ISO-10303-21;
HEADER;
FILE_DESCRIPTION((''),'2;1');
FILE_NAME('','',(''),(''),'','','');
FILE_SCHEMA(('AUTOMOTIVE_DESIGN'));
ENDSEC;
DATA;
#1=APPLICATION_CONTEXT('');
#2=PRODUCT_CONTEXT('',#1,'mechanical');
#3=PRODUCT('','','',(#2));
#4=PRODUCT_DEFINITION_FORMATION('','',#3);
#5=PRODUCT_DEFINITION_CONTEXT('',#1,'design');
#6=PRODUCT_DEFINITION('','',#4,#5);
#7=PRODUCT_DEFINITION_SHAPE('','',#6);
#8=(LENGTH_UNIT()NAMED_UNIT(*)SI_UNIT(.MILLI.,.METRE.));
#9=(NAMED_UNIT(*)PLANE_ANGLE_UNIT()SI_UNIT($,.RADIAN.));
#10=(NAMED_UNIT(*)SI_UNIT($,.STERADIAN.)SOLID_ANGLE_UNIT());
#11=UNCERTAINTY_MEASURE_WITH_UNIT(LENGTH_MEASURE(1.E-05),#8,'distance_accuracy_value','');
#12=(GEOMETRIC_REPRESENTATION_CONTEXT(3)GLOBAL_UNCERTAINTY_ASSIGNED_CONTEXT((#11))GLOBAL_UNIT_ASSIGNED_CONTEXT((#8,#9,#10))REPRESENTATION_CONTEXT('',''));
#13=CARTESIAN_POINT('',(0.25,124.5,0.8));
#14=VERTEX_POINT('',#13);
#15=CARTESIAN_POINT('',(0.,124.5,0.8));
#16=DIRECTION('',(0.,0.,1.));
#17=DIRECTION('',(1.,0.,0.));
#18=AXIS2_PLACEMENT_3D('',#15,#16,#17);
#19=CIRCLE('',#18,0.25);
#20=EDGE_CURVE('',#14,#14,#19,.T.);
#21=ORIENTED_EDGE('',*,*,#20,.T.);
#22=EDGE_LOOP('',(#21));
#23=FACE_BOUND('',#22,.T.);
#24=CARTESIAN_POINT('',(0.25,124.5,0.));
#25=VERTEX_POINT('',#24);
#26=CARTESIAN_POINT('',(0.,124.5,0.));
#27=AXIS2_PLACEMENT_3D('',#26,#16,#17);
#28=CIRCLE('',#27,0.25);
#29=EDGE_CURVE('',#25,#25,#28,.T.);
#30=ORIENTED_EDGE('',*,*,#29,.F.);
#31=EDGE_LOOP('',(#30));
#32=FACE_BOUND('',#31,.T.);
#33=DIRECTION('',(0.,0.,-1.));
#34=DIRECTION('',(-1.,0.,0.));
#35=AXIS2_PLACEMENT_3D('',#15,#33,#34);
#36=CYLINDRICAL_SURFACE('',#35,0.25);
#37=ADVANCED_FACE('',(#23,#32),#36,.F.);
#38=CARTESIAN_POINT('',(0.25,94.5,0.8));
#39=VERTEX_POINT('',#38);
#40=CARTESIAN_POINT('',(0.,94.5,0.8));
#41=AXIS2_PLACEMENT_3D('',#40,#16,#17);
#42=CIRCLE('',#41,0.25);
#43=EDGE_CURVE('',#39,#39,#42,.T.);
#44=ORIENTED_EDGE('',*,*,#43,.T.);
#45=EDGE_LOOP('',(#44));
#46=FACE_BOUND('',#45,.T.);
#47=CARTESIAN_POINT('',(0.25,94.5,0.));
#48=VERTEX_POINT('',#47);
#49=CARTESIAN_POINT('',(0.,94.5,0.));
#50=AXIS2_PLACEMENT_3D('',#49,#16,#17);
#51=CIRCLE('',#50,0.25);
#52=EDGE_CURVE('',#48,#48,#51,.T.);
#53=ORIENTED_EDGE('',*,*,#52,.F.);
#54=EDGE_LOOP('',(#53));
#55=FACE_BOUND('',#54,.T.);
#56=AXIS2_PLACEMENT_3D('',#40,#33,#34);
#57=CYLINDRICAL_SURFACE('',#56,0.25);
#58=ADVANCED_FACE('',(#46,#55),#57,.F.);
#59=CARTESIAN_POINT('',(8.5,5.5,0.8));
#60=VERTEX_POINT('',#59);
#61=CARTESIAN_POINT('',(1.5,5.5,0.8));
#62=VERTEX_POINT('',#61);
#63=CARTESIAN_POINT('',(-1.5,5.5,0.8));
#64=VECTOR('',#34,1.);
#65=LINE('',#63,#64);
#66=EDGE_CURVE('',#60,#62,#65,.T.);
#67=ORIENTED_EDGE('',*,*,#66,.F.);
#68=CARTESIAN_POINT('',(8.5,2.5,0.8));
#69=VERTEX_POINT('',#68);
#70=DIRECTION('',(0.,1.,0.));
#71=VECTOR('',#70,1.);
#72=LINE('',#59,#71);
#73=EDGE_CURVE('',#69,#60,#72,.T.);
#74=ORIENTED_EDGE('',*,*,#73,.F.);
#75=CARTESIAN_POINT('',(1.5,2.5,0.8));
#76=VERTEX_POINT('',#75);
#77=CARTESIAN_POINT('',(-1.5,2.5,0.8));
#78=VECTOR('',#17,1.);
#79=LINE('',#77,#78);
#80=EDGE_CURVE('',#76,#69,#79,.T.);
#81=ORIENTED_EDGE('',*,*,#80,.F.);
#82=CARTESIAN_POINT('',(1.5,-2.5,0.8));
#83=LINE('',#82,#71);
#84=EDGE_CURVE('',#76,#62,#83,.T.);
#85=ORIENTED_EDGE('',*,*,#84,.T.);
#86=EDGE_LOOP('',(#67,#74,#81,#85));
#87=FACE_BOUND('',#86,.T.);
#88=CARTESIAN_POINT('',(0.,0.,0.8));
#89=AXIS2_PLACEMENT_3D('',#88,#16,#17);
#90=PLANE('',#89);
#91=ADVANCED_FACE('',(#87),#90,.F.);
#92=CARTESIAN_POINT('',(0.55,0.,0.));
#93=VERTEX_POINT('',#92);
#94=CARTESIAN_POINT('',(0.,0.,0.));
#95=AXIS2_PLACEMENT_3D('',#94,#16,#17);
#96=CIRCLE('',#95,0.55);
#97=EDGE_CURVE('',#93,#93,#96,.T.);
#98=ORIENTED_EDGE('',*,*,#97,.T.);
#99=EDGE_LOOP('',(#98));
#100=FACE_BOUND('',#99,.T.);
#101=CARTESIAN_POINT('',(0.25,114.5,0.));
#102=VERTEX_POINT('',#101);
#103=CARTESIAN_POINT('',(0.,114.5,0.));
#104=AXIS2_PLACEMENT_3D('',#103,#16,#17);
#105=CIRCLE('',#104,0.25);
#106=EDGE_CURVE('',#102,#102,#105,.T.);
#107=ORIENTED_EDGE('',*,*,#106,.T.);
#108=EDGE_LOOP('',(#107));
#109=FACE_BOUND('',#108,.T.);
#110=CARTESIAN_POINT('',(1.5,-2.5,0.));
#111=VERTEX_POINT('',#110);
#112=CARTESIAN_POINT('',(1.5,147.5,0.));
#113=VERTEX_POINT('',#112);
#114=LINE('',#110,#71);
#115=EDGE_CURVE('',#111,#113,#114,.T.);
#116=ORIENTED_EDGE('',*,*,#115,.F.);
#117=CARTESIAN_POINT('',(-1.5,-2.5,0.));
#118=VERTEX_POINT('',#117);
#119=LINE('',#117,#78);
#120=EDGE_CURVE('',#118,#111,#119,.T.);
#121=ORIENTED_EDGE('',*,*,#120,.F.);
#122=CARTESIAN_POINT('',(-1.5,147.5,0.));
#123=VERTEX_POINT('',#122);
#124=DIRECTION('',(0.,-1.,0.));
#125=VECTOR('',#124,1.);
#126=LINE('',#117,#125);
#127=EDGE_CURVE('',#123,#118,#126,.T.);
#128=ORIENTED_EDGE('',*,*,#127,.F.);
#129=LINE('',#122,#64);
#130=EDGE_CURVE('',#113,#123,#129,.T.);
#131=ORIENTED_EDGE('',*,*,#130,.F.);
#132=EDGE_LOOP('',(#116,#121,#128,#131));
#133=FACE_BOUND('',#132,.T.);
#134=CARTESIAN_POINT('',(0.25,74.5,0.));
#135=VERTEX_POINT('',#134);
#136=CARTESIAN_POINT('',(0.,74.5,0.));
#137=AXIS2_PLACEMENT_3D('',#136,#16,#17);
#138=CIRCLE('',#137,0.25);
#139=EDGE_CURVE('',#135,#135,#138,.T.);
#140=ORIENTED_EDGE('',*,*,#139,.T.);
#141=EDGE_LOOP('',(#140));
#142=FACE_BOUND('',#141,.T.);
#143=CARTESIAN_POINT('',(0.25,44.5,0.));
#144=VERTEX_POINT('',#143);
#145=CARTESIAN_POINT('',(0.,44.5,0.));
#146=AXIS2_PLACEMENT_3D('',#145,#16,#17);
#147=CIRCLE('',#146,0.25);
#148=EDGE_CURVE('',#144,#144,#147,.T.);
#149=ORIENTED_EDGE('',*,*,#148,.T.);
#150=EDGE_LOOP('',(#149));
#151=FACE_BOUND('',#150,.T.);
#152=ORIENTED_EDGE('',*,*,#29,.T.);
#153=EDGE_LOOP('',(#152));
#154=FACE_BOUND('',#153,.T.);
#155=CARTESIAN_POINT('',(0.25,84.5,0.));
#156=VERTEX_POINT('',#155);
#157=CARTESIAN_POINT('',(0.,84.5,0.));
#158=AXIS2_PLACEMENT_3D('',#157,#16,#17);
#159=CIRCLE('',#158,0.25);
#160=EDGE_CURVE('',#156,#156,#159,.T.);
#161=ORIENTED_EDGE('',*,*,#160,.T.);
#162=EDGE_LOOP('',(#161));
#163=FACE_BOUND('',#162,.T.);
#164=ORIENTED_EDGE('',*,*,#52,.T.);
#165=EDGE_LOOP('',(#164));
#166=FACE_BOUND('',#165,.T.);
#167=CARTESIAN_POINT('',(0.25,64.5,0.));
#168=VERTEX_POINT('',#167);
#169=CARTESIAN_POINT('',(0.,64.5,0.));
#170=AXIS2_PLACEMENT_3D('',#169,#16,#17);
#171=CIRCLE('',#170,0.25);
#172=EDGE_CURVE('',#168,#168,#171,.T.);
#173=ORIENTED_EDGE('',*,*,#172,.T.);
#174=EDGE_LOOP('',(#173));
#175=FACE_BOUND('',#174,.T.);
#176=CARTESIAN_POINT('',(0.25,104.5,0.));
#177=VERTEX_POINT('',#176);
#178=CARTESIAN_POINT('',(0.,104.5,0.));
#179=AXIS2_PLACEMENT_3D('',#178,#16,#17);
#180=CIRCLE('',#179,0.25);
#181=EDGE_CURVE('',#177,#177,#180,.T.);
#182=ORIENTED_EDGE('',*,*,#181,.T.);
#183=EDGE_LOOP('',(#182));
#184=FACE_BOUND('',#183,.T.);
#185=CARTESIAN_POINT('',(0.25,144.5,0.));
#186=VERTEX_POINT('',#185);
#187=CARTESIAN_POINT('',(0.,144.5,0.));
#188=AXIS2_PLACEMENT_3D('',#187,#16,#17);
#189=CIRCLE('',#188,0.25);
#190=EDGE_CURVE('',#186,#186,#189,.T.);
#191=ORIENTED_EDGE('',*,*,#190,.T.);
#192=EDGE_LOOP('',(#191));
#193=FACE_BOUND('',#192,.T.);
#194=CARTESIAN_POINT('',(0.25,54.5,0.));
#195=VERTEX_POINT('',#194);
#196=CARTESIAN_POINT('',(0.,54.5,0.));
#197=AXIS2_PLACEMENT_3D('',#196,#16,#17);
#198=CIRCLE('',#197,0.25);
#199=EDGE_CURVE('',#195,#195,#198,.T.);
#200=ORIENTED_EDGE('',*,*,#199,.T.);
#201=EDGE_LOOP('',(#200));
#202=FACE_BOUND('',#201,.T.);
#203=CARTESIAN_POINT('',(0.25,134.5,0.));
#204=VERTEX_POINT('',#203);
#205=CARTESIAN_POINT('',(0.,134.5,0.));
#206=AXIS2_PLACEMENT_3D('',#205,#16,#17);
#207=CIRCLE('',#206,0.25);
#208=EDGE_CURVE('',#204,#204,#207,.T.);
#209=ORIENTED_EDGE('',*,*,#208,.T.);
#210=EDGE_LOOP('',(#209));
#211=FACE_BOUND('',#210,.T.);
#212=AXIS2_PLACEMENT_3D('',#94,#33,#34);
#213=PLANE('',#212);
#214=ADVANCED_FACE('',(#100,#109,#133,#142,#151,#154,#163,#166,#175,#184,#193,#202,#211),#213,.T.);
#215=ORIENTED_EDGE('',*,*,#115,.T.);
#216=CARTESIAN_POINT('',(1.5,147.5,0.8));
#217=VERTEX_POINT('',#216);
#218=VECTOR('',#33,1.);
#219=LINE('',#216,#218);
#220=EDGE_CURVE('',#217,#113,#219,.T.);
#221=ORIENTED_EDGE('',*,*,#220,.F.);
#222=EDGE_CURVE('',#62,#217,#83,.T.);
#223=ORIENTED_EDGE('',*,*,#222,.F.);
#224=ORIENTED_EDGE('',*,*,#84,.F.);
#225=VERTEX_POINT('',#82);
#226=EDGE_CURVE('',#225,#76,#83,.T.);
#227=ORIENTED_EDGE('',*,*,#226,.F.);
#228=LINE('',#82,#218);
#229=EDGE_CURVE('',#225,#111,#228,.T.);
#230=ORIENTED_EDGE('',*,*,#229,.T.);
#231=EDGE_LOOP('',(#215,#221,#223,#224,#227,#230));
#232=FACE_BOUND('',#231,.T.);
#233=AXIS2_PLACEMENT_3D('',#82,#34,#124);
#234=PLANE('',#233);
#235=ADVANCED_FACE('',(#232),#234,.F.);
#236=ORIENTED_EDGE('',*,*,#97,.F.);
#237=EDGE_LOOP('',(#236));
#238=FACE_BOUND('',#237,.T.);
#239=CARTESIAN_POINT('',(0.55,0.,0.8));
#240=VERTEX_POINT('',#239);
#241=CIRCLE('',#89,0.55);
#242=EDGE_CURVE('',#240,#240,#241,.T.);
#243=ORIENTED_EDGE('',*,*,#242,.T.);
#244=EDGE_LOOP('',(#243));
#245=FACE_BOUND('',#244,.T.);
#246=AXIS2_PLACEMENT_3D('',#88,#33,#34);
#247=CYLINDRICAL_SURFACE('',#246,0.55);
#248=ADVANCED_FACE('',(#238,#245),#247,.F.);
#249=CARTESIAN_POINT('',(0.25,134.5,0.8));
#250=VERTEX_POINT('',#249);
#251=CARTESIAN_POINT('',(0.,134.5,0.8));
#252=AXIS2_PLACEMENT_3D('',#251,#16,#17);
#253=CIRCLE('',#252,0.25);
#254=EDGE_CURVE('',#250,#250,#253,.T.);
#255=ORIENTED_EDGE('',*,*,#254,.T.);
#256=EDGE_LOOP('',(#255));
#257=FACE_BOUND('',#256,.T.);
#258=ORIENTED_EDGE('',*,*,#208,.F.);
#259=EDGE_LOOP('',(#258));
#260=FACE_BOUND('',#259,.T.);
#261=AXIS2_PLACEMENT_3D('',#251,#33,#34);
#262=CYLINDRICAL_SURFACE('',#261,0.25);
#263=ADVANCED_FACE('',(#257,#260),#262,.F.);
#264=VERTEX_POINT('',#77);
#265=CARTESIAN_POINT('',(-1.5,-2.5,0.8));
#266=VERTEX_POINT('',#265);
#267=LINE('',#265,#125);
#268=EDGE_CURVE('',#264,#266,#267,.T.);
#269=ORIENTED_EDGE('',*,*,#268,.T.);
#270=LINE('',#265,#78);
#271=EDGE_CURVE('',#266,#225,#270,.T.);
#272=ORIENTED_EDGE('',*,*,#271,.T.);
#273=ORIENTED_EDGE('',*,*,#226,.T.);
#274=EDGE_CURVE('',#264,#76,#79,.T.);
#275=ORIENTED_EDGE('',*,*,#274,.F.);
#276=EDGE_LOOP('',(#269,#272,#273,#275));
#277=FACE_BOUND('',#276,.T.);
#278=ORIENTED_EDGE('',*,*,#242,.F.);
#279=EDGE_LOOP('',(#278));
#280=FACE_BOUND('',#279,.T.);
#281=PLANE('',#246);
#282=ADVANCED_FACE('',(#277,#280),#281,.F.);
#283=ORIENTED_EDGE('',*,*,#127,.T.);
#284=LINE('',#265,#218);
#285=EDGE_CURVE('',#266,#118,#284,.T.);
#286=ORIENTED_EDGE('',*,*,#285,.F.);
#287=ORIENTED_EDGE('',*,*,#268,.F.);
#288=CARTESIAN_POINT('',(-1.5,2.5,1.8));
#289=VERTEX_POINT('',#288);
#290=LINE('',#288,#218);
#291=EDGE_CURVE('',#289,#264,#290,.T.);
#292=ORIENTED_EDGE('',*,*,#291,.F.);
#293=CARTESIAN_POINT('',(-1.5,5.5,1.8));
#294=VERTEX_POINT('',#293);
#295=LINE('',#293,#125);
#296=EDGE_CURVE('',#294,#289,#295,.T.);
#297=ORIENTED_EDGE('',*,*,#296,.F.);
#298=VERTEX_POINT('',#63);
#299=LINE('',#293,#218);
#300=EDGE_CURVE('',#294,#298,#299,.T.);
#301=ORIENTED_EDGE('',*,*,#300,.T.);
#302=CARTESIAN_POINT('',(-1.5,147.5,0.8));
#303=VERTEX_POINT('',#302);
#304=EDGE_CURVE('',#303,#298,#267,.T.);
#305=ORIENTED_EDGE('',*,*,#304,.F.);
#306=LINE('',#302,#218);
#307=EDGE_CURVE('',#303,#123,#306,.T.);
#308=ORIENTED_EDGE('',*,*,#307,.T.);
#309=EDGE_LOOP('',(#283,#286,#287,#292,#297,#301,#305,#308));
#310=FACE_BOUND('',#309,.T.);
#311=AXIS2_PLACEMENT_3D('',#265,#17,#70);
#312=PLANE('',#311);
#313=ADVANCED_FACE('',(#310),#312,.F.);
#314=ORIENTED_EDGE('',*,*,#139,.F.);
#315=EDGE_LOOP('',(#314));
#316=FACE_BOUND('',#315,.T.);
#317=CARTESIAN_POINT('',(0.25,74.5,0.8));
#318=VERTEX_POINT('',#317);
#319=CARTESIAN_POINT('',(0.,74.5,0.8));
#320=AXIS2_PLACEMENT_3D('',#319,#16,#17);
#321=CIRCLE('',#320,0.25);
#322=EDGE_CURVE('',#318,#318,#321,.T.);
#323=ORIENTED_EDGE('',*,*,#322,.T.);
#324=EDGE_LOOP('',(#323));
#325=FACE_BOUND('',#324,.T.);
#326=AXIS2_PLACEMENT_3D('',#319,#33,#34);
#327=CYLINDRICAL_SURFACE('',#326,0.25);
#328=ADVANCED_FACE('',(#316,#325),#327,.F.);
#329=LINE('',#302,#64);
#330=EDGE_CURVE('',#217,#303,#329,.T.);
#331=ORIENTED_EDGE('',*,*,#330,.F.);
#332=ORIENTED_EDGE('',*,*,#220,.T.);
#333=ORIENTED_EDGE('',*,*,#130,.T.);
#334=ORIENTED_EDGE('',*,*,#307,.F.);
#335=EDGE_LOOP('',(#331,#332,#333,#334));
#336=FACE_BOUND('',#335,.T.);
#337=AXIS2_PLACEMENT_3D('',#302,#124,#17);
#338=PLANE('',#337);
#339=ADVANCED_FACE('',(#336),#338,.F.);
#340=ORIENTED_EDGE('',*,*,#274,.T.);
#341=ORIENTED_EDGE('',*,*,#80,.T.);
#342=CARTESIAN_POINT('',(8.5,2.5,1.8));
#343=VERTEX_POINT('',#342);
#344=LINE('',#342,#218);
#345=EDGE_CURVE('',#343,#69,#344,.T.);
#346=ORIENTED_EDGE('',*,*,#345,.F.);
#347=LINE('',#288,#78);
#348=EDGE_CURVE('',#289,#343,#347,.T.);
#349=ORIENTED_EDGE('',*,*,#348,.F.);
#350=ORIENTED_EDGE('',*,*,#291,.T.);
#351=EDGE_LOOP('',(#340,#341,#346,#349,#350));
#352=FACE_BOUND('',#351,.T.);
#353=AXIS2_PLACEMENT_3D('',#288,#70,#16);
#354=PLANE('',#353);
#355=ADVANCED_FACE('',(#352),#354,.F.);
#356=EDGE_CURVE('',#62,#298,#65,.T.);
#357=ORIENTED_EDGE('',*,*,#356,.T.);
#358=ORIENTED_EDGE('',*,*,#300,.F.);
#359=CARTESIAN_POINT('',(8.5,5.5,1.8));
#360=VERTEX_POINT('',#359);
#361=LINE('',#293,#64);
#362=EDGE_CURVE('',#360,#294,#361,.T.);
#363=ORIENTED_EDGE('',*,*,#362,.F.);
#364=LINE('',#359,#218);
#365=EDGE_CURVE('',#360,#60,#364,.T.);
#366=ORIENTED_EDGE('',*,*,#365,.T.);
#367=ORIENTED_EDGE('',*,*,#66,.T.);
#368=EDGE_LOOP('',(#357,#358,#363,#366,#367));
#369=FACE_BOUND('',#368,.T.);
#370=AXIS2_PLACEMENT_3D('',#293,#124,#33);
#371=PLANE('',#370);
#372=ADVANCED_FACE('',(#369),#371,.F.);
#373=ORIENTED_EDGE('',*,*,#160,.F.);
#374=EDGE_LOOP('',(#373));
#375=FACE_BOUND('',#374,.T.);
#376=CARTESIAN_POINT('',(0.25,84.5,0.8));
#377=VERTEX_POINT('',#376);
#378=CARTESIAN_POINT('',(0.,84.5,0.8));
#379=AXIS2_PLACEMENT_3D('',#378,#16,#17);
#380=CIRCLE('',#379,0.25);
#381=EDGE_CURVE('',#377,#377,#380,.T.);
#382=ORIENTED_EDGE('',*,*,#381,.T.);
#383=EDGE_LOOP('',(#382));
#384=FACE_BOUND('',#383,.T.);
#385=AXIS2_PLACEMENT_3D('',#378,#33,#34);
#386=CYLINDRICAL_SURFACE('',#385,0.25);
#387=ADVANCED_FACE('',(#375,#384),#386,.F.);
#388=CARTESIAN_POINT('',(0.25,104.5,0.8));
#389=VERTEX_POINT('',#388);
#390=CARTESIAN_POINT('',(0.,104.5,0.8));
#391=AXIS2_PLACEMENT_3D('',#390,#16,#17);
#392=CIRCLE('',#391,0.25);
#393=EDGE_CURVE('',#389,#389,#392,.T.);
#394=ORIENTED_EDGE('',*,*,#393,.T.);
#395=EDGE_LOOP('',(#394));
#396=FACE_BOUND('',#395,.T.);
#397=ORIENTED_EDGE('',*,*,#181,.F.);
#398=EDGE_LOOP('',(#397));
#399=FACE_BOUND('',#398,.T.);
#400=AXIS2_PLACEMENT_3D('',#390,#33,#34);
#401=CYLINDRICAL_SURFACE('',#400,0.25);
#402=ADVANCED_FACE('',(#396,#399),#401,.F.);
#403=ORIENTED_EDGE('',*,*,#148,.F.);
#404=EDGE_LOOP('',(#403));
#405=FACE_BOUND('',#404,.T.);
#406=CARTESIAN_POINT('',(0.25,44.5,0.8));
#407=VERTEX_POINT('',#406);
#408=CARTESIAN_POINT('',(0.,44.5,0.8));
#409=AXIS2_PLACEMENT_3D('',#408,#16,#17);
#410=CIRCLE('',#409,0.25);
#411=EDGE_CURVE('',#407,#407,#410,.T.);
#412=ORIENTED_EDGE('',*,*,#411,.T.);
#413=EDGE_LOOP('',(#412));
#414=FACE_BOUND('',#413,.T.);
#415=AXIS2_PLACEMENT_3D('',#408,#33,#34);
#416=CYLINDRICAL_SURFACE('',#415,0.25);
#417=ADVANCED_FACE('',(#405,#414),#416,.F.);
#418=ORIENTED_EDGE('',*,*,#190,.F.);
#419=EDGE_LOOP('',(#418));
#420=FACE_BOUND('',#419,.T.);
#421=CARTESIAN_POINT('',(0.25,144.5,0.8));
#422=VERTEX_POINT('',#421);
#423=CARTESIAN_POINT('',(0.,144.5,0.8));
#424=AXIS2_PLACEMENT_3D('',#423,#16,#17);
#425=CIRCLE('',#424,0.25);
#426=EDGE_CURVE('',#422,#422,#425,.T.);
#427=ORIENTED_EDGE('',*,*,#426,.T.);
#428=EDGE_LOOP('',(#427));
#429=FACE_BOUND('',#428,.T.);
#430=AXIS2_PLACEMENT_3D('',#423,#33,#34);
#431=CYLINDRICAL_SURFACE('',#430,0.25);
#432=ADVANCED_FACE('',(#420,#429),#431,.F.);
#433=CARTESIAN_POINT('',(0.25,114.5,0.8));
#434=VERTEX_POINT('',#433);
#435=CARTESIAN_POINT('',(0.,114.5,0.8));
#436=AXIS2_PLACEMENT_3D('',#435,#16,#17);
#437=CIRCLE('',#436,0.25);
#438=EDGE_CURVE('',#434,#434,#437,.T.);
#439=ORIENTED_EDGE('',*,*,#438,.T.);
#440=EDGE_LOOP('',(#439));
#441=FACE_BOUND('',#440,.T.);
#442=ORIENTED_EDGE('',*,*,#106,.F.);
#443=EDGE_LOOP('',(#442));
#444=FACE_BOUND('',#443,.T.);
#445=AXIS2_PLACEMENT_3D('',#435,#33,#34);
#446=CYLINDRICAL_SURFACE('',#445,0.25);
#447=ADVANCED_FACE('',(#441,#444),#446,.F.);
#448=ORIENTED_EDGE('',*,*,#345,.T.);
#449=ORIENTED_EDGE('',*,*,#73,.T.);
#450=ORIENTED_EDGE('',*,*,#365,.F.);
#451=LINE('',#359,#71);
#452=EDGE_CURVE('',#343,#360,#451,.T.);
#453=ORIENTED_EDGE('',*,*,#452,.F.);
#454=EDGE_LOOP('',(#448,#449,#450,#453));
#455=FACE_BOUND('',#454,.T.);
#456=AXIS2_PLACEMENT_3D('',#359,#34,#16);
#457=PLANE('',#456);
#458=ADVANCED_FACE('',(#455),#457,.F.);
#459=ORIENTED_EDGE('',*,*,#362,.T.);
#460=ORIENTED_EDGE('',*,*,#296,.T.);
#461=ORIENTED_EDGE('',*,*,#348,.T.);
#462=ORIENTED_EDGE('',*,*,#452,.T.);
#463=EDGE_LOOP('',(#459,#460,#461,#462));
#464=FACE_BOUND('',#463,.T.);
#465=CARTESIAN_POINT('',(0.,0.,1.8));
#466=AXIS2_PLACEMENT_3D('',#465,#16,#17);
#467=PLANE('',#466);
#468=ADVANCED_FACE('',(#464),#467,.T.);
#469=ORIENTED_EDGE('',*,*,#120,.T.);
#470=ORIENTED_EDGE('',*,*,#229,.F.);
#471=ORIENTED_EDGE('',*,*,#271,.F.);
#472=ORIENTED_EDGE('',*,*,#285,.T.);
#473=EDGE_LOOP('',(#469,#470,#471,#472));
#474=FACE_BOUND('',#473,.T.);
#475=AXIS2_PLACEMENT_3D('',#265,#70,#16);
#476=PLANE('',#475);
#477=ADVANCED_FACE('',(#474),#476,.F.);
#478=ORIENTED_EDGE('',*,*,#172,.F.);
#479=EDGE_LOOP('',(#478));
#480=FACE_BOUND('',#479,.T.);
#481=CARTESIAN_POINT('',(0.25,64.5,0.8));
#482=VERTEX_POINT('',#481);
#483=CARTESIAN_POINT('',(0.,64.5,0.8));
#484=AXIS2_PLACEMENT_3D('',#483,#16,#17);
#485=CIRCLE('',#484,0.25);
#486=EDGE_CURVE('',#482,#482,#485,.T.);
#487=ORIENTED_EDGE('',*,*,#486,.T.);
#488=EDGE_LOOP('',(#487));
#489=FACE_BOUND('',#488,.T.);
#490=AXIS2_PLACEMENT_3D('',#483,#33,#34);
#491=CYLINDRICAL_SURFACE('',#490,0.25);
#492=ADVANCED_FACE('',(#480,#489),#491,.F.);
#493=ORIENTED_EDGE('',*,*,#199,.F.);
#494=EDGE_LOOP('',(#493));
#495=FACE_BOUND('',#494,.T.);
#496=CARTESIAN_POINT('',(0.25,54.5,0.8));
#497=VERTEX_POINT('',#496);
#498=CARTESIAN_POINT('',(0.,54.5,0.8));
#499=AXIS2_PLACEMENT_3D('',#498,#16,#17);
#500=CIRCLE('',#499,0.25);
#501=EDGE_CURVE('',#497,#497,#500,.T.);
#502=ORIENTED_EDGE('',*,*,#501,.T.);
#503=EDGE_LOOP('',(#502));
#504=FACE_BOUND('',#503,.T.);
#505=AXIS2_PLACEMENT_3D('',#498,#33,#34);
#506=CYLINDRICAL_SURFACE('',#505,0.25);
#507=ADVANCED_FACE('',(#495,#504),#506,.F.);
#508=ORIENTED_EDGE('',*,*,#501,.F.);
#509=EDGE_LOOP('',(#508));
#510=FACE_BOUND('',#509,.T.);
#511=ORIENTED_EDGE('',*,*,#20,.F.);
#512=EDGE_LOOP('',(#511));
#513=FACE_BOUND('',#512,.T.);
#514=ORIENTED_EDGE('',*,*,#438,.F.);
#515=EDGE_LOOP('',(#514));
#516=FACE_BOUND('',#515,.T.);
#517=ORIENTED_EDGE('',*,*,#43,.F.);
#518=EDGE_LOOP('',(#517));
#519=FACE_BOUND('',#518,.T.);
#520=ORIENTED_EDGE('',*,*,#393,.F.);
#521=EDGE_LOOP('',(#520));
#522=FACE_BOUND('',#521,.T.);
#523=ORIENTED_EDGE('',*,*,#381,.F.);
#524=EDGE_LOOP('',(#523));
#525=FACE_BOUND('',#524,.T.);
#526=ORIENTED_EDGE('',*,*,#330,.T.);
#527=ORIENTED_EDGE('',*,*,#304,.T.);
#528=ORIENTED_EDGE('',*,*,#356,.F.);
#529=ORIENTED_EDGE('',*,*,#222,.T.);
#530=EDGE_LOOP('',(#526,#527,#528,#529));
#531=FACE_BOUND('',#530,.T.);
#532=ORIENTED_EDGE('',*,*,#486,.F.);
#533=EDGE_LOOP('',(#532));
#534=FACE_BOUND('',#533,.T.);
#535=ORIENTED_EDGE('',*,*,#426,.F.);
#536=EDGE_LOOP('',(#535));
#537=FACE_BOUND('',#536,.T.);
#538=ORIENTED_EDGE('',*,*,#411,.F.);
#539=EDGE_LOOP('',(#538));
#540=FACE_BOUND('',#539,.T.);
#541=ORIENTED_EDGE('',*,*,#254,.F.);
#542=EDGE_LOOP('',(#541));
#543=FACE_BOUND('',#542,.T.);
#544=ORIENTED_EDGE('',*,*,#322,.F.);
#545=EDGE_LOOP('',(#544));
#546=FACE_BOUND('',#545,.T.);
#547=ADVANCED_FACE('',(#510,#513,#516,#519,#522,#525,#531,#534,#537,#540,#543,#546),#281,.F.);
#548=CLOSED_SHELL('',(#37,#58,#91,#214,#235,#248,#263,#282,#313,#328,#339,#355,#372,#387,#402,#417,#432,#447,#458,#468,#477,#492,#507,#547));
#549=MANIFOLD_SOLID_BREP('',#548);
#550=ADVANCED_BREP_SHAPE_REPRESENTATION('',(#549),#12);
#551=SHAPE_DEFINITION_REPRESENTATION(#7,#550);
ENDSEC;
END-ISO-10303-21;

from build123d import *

# Parameters (mm, degrees)
SKETCH1_W           = 3
SKETCH1_H           = 150
SKETCH1_R           = 0.55
SKETCH1_R_2         = 0.25
BOSS_EXTRUDE3_DEPTH = 0.8
SKETCH2_W           = 10
SKETCH2_H           = 3
BOSS_EXTRUDE4_DEPTH = 1


with BuildPart() as part:
    # Sketch1 → Boss-Extrude3 (new body)
    with BuildSketch(Plane.XY):
        with Locations((0, 72.5)):
            Rectangle(SKETCH1_W, SKETCH1_H)
        Circle(SKETCH1_R, mode=Mode.SUBTRACT)
        with Locations((0, 144.5)):
            Circle(SKETCH1_R_2, mode=Mode.SUBTRACT)
        with Locations((0, 134.5)):
            Circle(SKETCH1_R_2, mode=Mode.SUBTRACT)
        with Locations((0, 124.5)):
            Circle(SKETCH1_R_2, mode=Mode.SUBTRACT)
        with Locations((0, 114.5)):
            Circle(SKETCH1_R_2, mode=Mode.SUBTRACT)
        with Locations((0, 104.5)):
            Circle(SKETCH1_R_2, mode=Mode.SUBTRACT)
        with Locations((0, 64.5)):
            Circle(SKETCH1_R_2, mode=Mode.SUBTRACT)
        with Locations((0, 54.5)):
            Circle(SKETCH1_R_2, mode=Mode.SUBTRACT)
        with Locations((0, 94.5)):
            Circle(SKETCH1_R_2, mode=Mode.SUBTRACT)
        with Locations((0, 84.5)):
            Circle(SKETCH1_R_2, mode=Mode.SUBTRACT)
        with Locations((0, 74.5)):
            Circle(SKETCH1_R_2, mode=Mode.SUBTRACT)
        with Locations((0, 44.5)):
            Circle(SKETCH1_R_2, mode=Mode.SUBTRACT)
    extrude(amount=BOSS_EXTRUDE3_DEPTH)

    # Sketch2 → Boss-Extrude4 (add)
    with BuildSketch(Plane.XY.offset(0.8)):
        with Locations((3.5, 4)):
            Rectangle(SKETCH2_W, SKETCH2_H)
    extrude(amount=BOSS_EXTRUDE4_DEPTH)


solid = part.part
